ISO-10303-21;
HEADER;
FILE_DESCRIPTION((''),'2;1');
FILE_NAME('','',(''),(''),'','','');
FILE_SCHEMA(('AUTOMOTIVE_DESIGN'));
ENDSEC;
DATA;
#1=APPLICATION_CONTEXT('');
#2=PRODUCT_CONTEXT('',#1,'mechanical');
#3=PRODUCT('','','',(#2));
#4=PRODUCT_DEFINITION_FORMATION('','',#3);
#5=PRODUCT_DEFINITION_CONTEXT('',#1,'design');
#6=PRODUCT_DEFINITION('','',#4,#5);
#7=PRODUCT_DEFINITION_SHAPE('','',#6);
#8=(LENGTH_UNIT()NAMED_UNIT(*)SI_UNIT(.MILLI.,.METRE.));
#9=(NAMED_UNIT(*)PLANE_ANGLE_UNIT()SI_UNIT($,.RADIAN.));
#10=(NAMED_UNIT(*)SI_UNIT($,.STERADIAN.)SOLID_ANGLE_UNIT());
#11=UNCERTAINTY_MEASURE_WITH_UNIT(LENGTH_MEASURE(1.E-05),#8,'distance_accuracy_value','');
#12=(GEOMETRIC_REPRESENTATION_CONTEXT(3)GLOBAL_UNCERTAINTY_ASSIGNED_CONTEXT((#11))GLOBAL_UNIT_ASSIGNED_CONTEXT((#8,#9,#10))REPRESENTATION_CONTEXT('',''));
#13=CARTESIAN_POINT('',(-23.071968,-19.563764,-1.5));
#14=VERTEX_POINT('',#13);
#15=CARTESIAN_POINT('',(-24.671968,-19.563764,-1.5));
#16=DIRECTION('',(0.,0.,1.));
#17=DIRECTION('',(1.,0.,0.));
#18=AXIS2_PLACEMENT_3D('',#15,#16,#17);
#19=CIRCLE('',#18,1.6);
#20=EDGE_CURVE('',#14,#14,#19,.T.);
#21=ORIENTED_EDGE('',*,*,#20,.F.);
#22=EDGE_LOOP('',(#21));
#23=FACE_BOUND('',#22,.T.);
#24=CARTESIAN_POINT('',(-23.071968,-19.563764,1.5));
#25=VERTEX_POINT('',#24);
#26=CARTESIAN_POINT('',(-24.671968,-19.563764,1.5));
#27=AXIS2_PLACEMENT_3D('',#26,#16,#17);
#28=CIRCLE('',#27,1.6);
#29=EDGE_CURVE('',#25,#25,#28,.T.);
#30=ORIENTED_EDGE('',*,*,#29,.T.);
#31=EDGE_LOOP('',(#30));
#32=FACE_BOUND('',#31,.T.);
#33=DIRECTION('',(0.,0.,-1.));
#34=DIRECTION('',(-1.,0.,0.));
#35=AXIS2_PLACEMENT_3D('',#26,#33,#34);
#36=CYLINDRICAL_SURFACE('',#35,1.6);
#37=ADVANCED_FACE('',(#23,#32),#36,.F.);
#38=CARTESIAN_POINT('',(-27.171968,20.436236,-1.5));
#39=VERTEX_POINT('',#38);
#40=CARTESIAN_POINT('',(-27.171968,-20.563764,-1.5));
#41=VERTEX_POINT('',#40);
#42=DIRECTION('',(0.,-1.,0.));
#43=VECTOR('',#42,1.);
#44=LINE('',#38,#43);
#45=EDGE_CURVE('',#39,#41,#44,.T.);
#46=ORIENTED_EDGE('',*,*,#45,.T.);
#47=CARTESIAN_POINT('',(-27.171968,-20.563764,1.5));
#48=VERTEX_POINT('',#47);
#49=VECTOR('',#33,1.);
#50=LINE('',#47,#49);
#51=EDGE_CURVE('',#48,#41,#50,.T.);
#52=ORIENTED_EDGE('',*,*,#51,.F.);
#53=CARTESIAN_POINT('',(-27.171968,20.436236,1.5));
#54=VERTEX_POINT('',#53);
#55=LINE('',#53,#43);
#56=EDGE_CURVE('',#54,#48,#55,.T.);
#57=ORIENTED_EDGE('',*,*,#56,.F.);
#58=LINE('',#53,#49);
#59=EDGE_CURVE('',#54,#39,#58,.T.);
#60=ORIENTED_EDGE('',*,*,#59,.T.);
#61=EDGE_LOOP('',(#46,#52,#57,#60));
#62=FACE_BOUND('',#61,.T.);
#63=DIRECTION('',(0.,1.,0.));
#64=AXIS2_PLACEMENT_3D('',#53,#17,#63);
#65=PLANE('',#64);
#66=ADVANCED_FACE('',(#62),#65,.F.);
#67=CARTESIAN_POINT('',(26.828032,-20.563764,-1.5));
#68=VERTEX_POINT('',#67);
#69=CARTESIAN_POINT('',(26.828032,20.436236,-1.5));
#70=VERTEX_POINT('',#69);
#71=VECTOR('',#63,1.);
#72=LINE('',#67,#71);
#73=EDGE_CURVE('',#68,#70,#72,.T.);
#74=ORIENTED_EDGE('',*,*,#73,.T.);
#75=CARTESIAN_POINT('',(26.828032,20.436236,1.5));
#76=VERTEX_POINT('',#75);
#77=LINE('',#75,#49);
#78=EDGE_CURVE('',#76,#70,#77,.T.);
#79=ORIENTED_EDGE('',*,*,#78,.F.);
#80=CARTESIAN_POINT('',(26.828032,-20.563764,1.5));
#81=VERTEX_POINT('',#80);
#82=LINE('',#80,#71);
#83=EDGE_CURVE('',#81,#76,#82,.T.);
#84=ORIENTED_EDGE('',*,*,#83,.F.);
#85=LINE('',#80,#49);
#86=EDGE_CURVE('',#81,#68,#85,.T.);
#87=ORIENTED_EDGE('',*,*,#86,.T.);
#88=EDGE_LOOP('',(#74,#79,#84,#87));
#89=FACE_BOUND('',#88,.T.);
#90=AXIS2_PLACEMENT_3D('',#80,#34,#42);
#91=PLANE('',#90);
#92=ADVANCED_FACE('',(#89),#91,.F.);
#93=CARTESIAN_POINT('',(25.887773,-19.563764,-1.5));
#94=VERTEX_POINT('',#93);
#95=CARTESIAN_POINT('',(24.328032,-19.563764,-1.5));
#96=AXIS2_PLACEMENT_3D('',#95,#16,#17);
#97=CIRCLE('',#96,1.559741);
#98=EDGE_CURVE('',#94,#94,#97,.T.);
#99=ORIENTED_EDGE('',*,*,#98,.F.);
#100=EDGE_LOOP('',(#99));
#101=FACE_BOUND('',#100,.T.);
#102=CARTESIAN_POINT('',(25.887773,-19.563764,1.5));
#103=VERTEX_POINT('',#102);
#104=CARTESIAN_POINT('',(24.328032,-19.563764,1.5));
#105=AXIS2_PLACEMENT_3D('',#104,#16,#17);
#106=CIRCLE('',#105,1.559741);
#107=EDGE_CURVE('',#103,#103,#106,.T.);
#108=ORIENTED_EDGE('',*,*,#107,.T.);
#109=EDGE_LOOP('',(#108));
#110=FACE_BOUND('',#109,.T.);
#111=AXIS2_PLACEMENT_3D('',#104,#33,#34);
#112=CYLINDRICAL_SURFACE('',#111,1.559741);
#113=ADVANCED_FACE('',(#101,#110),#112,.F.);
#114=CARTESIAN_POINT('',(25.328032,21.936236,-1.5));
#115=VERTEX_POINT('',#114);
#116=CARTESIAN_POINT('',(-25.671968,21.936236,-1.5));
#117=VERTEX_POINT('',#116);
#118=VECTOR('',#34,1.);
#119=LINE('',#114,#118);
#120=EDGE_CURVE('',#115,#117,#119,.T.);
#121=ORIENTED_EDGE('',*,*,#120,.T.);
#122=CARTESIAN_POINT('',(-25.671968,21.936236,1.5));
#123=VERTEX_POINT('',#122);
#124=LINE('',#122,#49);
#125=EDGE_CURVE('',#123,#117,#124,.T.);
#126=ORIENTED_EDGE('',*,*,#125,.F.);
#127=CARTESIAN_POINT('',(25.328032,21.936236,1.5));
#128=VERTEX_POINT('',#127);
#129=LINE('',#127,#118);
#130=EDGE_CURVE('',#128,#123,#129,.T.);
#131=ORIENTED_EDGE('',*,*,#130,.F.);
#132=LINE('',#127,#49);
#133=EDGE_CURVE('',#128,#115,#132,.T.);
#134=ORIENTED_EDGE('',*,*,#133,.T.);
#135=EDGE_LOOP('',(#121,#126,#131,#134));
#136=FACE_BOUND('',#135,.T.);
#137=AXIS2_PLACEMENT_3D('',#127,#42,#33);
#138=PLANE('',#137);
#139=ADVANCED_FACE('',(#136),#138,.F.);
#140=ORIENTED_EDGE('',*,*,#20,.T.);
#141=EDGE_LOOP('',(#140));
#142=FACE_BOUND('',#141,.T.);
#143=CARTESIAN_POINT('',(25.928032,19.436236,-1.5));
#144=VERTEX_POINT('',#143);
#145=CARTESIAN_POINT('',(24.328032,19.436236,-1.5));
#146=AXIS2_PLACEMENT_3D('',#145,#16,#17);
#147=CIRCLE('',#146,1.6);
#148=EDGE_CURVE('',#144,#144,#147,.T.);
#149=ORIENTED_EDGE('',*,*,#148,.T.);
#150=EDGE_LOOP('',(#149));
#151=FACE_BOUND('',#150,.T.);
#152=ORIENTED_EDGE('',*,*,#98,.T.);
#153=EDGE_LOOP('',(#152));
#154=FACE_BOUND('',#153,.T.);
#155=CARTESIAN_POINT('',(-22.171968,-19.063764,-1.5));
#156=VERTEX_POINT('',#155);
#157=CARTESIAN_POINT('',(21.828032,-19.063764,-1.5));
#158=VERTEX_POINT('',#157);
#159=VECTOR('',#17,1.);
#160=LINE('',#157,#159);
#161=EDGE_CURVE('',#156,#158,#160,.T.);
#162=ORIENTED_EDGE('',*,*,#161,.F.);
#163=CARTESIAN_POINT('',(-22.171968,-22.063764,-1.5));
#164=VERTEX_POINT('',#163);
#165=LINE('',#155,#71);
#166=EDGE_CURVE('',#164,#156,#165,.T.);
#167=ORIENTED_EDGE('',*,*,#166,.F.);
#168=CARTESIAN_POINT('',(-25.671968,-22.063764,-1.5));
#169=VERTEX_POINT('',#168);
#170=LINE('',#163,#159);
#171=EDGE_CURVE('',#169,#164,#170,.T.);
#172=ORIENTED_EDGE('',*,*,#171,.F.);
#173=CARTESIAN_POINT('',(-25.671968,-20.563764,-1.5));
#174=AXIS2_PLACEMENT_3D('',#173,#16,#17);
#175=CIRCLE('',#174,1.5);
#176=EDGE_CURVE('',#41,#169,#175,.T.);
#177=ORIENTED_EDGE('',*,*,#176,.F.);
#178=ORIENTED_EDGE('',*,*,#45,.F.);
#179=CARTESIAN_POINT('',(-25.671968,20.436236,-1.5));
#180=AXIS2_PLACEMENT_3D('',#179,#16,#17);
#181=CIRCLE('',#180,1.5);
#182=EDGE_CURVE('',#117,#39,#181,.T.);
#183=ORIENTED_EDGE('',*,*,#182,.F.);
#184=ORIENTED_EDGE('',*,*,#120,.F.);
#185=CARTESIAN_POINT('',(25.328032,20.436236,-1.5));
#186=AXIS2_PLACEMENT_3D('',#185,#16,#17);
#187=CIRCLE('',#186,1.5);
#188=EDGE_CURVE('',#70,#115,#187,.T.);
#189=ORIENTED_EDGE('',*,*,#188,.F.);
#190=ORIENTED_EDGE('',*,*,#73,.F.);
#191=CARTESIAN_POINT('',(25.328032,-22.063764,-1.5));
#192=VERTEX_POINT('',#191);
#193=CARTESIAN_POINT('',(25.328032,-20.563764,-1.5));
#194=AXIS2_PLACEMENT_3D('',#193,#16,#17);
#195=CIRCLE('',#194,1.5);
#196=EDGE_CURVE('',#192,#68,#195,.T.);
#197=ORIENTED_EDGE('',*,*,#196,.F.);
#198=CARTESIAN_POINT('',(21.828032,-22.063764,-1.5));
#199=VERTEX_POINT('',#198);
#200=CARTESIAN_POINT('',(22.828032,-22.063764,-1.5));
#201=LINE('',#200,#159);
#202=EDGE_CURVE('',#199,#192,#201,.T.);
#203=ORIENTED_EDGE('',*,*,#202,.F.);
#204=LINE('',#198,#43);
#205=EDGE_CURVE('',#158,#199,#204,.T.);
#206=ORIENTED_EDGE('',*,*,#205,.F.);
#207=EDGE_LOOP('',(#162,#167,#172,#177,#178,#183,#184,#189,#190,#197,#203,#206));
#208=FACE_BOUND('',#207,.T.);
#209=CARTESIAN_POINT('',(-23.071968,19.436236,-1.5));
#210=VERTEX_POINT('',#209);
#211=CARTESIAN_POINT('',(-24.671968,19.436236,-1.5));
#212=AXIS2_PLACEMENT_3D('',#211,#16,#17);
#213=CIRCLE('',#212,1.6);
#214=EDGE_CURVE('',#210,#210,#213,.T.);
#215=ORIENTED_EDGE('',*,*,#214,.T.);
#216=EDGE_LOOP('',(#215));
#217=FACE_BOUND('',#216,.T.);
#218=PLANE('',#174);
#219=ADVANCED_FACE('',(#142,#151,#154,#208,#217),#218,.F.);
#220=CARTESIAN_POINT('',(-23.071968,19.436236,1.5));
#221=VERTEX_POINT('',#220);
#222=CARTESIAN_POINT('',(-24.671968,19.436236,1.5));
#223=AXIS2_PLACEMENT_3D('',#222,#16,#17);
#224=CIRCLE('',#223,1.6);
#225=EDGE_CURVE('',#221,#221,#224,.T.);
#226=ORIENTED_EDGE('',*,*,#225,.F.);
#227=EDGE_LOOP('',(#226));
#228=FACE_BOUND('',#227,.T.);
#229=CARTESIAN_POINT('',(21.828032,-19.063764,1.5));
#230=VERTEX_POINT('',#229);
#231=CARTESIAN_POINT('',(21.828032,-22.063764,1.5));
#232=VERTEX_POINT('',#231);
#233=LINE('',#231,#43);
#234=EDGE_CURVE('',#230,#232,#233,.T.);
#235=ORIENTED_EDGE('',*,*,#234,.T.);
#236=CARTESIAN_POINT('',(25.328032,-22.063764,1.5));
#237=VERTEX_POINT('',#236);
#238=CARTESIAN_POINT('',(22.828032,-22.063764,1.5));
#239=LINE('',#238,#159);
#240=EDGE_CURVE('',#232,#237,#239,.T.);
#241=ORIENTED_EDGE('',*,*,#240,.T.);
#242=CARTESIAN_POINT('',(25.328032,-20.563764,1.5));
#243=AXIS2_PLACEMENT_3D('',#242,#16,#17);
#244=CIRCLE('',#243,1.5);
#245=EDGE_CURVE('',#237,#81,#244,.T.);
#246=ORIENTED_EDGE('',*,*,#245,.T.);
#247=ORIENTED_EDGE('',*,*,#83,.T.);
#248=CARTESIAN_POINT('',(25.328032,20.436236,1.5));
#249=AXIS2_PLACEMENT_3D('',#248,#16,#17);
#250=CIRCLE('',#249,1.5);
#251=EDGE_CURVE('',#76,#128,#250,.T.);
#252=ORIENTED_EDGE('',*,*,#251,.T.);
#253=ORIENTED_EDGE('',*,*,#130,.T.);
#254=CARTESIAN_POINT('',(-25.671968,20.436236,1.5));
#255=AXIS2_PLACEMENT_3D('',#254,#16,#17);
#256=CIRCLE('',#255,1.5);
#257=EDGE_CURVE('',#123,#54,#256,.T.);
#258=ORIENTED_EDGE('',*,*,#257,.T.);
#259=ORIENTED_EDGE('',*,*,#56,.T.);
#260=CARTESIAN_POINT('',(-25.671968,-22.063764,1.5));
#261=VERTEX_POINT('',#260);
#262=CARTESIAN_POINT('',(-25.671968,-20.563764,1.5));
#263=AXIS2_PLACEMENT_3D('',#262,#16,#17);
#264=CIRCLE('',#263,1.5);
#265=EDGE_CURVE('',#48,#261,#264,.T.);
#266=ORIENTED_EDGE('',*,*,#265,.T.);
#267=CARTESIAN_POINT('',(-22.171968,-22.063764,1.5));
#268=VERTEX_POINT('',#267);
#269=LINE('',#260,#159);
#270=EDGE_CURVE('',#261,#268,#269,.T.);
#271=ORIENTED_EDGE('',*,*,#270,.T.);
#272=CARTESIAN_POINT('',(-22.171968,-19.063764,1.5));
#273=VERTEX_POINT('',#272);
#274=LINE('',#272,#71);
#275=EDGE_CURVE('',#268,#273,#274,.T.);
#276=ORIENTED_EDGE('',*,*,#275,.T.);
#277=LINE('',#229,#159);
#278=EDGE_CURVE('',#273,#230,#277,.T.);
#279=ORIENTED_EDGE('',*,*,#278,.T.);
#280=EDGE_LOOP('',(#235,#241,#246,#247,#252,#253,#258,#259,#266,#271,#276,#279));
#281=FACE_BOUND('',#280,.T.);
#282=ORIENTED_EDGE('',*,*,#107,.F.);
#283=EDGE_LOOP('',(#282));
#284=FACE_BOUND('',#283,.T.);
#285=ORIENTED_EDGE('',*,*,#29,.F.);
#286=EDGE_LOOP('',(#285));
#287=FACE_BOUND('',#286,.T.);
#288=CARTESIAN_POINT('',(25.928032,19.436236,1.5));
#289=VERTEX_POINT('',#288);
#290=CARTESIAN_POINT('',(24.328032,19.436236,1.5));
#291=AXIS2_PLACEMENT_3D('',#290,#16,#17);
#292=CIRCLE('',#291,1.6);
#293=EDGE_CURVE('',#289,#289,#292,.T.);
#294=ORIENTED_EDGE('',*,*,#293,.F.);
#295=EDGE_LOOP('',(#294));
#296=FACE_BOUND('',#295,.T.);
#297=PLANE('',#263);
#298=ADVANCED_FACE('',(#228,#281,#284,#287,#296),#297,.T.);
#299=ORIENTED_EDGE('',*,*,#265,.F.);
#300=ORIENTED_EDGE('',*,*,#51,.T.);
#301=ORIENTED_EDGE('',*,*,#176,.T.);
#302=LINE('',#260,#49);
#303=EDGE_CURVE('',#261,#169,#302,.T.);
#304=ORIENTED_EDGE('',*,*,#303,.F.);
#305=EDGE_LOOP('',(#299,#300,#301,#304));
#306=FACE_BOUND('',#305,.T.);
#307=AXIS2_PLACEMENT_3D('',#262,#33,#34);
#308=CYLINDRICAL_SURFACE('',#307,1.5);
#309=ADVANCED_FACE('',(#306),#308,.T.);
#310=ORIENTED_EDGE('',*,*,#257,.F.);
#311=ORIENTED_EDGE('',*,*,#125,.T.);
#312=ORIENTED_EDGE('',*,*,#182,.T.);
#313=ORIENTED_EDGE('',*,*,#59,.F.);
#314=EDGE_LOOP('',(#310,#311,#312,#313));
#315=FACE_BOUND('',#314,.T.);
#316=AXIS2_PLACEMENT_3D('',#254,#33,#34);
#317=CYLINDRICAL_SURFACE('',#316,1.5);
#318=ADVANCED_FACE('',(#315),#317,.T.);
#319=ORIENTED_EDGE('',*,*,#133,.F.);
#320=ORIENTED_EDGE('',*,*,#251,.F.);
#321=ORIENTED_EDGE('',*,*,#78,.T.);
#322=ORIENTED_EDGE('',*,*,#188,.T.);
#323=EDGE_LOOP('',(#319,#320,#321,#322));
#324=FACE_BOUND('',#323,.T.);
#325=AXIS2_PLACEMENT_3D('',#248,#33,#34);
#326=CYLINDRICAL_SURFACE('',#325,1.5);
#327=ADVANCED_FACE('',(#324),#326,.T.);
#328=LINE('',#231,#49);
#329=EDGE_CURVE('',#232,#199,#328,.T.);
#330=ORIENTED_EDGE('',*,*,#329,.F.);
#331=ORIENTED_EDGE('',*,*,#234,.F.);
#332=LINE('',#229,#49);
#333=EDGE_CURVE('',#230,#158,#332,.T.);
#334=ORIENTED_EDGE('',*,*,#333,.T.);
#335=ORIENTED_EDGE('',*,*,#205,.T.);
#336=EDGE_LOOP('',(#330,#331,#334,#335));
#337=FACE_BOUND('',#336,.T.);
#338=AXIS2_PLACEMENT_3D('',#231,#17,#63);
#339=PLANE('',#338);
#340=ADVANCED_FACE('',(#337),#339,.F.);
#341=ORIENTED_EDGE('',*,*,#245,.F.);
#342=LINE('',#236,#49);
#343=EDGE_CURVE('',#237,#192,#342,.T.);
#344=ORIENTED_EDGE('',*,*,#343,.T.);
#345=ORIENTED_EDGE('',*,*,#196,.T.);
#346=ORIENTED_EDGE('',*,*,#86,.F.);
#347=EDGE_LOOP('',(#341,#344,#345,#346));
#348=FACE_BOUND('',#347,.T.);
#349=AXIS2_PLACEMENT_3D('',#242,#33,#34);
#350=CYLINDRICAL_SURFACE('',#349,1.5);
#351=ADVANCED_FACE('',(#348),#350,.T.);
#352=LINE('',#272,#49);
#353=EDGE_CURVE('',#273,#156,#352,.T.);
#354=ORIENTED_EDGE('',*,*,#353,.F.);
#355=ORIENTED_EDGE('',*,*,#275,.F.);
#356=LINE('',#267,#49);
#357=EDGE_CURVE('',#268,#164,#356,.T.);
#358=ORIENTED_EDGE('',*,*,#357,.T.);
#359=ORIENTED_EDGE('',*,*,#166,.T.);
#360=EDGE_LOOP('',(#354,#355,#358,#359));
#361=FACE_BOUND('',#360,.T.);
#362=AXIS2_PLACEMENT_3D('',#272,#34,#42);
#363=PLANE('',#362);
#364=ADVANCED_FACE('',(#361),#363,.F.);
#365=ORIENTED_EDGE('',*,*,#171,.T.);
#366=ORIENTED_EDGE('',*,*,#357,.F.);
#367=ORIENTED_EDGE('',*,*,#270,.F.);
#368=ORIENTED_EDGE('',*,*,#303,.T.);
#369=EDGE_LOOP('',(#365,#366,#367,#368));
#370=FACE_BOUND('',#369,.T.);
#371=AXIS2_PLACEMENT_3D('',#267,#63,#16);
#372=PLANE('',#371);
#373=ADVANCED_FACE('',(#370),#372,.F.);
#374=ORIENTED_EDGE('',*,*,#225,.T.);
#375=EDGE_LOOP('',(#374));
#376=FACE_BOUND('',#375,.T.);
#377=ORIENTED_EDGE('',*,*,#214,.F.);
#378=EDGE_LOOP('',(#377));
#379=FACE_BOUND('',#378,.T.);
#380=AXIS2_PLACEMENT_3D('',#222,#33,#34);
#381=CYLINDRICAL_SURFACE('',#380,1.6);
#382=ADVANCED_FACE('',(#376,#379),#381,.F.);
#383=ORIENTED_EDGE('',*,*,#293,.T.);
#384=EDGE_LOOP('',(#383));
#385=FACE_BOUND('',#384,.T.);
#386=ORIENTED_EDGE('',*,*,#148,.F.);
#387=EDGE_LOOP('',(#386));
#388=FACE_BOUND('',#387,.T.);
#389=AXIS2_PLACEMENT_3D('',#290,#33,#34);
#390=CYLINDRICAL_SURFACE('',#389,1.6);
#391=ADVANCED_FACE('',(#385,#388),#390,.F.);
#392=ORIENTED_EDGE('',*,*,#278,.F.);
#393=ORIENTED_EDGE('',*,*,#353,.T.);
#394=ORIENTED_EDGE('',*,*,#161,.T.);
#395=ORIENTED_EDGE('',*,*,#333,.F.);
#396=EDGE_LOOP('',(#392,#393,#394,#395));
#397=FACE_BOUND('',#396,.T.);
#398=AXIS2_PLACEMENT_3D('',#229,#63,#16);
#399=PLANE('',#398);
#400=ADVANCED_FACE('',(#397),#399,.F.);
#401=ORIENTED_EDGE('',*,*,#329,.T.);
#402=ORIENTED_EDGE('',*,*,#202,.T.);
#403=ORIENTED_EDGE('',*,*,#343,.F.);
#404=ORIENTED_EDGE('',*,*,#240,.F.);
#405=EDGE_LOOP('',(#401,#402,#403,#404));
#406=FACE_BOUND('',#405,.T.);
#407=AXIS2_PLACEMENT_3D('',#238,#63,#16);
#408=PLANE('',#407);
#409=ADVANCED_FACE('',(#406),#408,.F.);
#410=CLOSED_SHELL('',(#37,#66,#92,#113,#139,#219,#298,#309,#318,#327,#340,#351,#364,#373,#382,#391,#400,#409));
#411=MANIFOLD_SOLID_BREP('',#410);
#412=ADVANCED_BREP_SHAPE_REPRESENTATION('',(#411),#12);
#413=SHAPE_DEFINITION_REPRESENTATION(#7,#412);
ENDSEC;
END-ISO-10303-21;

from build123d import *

# Parameters (mm, degrees)
SKETCH1_R           = 1.6
SKETCH1_R_2         = 1.559740896
BOSS_EXTRUDE1_DEPTH = 1.5


with BuildPart() as part:
    # Sketch1 → Boss-Extrude1 (new, symmetric)
    with BuildSketch(Plane.XY):
        with BuildLine():
            Line((22.828032498, -22.06376378), (21.828032498, -22.06376378))
            Line((21.828032498, -22.06376378), (21.828032498, -19.06376378))
            Line((21.828032498, -19.06376378), (-22.171967502, -19.06376378))
            Line((-22.171967502, -19.06376378), (-22.171967502, -22.06376378))
            Line((-22.171967502, -22.06376378), (-23.171967502, -22.06376378))
            Line((-23.171967502, -22.06376378), (-25.671967502, -22.06376378))
            ThreePointArc((-25.671967502, -22.06376378), (-26.732627674, -21.624423952), (-27.171967502, -20.56376378))
            Line((-27.171967502, -20.56376378), (-27.171967502, 20.43623622))
            ThreePointArc((-27.171967502, 20.43623622), (-26.732627674, 21.496896392), (-25.671967502, 21.93623622))
            Line((-25.671967502, 21.93623622), (25.328032498, 21.93623622))
            ThreePointArc((25.328032498, 21.93623622), (26.38869267, 21.496896392), (26.828032498, 20.43623622))
            Line((26.828032498, 20.43623622), (26.828032498, -20.56376378))
            ThreePointArc((26.828032498, -20.56376378), (26.38869267, -21.624423952), (25.328032498, -22.06376378))
            Line((25.328032498, -22.06376378), (22.828032498, -22.06376378))
        make_face()
        with Locations((-24.671967502, 19.43623622)):
            Circle(SKETCH1_R, mode=Mode.SUBTRACT)
        with Locations((24.328032498, 19.43623622)):
            Circle(SKETCH1_R, mode=Mode.SUBTRACT)
        with Locations((24.328032498, -19.56376378)):
            Circle(SKETCH1_R_2, mode=Mode.SUBTRACT)
        with Locations((-24.671967502, -19.56376378)):
            Circle(SKETCH1_R, mode=Mode.SUBTRACT)
    extrude(amount=BOSS_EXTRUDE1_DEPTH, both=True)


solid = part.part
